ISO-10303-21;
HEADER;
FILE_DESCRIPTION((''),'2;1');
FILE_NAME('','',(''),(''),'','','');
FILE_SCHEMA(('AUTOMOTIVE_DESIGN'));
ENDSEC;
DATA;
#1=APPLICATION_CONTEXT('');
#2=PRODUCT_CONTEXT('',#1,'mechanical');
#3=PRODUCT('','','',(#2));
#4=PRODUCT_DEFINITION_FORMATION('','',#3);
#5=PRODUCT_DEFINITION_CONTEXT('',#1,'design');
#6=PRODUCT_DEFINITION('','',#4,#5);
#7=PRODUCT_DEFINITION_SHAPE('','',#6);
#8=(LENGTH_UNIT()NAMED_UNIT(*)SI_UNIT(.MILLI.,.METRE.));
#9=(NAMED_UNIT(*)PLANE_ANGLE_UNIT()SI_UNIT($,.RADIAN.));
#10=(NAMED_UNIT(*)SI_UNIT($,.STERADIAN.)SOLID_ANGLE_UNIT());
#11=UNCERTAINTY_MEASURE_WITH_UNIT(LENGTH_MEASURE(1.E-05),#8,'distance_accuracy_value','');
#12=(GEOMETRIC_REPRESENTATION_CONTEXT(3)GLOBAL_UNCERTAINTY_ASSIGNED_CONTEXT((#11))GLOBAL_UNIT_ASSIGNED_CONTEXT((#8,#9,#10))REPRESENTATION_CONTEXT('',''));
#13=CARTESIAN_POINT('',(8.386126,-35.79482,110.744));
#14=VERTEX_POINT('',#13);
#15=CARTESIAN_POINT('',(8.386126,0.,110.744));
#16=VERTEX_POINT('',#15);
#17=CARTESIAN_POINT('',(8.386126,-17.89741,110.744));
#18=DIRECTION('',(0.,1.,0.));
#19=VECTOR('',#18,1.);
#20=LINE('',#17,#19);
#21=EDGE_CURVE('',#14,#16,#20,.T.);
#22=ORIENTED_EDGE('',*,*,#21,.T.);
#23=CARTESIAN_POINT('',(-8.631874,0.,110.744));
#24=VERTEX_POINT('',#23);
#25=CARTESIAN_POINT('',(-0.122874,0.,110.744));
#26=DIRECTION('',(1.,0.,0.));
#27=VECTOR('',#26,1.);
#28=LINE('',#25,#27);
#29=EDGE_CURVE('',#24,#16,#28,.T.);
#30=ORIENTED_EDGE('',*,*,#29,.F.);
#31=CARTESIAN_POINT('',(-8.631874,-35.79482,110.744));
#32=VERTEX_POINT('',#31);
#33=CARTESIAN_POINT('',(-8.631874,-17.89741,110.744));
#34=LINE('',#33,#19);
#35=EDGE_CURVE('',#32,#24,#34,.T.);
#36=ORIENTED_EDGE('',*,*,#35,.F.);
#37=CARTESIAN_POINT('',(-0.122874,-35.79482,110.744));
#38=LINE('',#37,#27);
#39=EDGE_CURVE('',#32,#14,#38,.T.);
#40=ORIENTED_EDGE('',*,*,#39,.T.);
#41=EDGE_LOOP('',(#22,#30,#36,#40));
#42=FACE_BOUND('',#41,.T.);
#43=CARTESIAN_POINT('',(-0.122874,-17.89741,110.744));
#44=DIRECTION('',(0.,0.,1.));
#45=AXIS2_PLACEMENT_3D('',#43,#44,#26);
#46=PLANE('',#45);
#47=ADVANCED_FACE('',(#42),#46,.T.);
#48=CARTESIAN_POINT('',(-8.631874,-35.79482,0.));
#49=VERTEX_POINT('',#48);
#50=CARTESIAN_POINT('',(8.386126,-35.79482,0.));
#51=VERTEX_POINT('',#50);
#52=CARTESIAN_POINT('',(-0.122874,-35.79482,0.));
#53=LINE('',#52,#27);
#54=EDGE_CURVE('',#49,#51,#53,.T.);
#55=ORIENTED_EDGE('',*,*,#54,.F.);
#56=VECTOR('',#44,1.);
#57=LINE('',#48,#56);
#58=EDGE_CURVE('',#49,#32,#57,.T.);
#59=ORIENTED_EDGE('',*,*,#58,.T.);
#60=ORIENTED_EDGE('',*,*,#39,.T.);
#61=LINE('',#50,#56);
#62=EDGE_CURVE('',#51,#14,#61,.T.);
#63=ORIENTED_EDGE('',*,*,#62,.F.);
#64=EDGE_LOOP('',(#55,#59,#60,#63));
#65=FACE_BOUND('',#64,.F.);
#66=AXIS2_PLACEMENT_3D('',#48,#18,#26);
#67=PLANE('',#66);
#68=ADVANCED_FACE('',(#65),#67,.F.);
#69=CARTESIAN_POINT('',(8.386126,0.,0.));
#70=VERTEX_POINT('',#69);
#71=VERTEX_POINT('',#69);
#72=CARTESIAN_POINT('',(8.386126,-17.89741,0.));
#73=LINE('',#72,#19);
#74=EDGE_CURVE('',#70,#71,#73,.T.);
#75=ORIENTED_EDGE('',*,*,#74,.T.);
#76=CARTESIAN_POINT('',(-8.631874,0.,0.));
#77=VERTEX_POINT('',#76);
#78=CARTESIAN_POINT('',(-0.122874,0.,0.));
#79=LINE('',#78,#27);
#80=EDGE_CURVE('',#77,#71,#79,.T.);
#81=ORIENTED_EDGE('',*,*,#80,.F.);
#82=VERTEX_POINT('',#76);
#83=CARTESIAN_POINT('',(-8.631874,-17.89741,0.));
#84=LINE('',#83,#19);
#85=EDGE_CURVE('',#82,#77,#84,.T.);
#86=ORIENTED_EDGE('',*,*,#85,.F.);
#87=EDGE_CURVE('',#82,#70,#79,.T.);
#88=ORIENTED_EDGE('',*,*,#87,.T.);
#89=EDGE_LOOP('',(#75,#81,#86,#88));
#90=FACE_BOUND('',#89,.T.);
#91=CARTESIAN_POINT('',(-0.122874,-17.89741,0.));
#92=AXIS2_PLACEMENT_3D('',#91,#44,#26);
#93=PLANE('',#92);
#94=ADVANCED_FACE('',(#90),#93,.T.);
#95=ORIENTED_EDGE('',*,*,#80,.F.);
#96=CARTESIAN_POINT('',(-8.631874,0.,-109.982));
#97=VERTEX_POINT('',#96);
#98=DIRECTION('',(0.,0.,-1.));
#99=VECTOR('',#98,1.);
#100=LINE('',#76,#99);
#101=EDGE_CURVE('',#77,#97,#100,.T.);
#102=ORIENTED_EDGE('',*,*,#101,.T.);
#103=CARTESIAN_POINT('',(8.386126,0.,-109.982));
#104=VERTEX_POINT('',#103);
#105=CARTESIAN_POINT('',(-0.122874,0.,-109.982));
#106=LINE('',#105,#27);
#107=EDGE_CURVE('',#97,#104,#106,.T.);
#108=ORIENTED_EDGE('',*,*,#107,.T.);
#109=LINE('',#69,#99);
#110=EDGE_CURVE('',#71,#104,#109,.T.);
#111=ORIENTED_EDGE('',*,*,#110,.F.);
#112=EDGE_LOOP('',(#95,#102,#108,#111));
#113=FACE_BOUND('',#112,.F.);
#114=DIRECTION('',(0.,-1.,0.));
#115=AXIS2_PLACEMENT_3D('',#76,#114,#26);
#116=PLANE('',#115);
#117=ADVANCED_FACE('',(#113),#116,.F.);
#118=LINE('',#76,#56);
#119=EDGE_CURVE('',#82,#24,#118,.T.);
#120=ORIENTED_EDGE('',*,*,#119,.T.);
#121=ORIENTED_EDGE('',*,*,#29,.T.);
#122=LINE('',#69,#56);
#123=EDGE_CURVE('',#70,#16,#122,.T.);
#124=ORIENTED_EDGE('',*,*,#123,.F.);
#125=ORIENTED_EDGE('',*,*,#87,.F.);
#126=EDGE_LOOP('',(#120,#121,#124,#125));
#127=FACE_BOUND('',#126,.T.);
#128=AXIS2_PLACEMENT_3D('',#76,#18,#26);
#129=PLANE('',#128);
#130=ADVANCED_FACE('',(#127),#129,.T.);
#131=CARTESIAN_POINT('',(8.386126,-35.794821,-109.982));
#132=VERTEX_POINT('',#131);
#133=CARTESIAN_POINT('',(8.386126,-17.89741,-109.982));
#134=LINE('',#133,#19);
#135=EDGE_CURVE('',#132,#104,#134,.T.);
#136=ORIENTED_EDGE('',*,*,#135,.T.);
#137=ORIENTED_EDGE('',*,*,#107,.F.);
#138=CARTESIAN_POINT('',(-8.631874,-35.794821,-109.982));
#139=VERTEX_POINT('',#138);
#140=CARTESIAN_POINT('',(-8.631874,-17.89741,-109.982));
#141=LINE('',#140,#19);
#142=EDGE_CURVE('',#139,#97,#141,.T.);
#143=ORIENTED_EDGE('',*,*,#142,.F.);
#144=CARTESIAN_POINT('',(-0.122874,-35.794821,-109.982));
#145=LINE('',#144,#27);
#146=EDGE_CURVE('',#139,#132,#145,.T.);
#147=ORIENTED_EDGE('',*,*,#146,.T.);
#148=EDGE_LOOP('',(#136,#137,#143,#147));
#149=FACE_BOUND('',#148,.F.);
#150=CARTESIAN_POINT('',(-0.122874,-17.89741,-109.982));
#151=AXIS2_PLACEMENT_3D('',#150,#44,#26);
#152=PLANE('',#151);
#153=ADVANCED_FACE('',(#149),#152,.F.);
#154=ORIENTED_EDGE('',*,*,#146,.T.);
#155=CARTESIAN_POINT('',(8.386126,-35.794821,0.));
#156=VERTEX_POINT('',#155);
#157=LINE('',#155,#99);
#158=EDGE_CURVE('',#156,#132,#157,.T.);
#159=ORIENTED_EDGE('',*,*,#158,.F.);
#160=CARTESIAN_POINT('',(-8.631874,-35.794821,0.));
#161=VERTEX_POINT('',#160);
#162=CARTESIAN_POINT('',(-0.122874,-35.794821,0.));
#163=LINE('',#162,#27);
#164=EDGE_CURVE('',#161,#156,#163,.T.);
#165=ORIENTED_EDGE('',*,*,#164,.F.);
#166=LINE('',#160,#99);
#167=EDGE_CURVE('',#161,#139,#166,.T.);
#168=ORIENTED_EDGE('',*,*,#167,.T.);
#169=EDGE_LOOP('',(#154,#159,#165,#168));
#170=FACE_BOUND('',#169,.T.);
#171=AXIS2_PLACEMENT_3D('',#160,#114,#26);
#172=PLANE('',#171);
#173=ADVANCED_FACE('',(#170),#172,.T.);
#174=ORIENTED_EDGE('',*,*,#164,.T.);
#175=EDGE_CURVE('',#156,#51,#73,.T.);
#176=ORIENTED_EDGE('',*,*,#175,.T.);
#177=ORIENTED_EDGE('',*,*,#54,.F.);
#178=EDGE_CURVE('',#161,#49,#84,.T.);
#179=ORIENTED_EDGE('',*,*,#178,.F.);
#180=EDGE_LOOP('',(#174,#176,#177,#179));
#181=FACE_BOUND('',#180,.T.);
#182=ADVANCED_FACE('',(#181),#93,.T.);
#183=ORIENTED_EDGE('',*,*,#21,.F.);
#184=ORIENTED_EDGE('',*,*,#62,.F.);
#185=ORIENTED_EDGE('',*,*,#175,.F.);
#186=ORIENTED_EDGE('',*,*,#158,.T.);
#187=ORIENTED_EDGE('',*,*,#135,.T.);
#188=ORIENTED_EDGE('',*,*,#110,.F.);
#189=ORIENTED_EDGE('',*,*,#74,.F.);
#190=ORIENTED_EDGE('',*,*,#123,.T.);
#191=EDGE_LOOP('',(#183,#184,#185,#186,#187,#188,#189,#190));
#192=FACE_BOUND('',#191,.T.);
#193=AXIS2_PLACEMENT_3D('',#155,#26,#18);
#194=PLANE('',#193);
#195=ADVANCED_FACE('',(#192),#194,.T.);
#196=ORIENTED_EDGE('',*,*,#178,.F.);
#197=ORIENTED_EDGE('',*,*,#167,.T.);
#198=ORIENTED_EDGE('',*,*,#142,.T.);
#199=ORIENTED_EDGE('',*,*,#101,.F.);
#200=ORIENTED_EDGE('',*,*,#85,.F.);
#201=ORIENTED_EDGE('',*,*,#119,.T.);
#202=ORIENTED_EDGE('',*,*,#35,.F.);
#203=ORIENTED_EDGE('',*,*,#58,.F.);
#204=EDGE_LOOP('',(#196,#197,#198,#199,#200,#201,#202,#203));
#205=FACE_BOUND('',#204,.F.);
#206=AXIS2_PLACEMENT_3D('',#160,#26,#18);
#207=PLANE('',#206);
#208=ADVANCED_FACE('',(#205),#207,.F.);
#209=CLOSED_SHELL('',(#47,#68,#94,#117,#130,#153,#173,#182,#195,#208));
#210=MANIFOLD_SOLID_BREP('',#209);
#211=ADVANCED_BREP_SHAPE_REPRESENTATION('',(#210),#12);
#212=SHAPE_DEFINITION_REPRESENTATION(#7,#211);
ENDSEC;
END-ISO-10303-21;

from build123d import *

# Parameters (mm, degrees)
F0_W      = 17.018
F0_H      = 35.794821
F0_R      = 8.1788
F1_DEPTH  = 109.982
F1_FACE_W = 17.018
F1_FACE_H = 35.79482
F2_DEPTH  = 110.744


with BuildPart() as f1:
    # F0 (on Top) → F1 (new body)
    with BuildSketch(Plane.XY):
        with Locations((-0.122874, -17.89741)):
            Rectangle(F0_W, F0_H)
        with Locations((0, -18.823625)):
            Circle(F0_R, mode=Mode.SUBTRACT)
        with Locations((0, -18.823625)):
            Circle(F0_R)
    extrude(amount=-F1_DEPTH)

    # F1_face (on face) → F2 (join)
    with BuildSketch(Plane(origin=(-0.122874, -17.89741, 0), x_dir=(1, 0, 0), z_dir=(0, 0, 1))):
        Rectangle(F1_FACE_W, F1_FACE_H)
    extrude(amount=F2_DEPTH)


solid = f1.part
